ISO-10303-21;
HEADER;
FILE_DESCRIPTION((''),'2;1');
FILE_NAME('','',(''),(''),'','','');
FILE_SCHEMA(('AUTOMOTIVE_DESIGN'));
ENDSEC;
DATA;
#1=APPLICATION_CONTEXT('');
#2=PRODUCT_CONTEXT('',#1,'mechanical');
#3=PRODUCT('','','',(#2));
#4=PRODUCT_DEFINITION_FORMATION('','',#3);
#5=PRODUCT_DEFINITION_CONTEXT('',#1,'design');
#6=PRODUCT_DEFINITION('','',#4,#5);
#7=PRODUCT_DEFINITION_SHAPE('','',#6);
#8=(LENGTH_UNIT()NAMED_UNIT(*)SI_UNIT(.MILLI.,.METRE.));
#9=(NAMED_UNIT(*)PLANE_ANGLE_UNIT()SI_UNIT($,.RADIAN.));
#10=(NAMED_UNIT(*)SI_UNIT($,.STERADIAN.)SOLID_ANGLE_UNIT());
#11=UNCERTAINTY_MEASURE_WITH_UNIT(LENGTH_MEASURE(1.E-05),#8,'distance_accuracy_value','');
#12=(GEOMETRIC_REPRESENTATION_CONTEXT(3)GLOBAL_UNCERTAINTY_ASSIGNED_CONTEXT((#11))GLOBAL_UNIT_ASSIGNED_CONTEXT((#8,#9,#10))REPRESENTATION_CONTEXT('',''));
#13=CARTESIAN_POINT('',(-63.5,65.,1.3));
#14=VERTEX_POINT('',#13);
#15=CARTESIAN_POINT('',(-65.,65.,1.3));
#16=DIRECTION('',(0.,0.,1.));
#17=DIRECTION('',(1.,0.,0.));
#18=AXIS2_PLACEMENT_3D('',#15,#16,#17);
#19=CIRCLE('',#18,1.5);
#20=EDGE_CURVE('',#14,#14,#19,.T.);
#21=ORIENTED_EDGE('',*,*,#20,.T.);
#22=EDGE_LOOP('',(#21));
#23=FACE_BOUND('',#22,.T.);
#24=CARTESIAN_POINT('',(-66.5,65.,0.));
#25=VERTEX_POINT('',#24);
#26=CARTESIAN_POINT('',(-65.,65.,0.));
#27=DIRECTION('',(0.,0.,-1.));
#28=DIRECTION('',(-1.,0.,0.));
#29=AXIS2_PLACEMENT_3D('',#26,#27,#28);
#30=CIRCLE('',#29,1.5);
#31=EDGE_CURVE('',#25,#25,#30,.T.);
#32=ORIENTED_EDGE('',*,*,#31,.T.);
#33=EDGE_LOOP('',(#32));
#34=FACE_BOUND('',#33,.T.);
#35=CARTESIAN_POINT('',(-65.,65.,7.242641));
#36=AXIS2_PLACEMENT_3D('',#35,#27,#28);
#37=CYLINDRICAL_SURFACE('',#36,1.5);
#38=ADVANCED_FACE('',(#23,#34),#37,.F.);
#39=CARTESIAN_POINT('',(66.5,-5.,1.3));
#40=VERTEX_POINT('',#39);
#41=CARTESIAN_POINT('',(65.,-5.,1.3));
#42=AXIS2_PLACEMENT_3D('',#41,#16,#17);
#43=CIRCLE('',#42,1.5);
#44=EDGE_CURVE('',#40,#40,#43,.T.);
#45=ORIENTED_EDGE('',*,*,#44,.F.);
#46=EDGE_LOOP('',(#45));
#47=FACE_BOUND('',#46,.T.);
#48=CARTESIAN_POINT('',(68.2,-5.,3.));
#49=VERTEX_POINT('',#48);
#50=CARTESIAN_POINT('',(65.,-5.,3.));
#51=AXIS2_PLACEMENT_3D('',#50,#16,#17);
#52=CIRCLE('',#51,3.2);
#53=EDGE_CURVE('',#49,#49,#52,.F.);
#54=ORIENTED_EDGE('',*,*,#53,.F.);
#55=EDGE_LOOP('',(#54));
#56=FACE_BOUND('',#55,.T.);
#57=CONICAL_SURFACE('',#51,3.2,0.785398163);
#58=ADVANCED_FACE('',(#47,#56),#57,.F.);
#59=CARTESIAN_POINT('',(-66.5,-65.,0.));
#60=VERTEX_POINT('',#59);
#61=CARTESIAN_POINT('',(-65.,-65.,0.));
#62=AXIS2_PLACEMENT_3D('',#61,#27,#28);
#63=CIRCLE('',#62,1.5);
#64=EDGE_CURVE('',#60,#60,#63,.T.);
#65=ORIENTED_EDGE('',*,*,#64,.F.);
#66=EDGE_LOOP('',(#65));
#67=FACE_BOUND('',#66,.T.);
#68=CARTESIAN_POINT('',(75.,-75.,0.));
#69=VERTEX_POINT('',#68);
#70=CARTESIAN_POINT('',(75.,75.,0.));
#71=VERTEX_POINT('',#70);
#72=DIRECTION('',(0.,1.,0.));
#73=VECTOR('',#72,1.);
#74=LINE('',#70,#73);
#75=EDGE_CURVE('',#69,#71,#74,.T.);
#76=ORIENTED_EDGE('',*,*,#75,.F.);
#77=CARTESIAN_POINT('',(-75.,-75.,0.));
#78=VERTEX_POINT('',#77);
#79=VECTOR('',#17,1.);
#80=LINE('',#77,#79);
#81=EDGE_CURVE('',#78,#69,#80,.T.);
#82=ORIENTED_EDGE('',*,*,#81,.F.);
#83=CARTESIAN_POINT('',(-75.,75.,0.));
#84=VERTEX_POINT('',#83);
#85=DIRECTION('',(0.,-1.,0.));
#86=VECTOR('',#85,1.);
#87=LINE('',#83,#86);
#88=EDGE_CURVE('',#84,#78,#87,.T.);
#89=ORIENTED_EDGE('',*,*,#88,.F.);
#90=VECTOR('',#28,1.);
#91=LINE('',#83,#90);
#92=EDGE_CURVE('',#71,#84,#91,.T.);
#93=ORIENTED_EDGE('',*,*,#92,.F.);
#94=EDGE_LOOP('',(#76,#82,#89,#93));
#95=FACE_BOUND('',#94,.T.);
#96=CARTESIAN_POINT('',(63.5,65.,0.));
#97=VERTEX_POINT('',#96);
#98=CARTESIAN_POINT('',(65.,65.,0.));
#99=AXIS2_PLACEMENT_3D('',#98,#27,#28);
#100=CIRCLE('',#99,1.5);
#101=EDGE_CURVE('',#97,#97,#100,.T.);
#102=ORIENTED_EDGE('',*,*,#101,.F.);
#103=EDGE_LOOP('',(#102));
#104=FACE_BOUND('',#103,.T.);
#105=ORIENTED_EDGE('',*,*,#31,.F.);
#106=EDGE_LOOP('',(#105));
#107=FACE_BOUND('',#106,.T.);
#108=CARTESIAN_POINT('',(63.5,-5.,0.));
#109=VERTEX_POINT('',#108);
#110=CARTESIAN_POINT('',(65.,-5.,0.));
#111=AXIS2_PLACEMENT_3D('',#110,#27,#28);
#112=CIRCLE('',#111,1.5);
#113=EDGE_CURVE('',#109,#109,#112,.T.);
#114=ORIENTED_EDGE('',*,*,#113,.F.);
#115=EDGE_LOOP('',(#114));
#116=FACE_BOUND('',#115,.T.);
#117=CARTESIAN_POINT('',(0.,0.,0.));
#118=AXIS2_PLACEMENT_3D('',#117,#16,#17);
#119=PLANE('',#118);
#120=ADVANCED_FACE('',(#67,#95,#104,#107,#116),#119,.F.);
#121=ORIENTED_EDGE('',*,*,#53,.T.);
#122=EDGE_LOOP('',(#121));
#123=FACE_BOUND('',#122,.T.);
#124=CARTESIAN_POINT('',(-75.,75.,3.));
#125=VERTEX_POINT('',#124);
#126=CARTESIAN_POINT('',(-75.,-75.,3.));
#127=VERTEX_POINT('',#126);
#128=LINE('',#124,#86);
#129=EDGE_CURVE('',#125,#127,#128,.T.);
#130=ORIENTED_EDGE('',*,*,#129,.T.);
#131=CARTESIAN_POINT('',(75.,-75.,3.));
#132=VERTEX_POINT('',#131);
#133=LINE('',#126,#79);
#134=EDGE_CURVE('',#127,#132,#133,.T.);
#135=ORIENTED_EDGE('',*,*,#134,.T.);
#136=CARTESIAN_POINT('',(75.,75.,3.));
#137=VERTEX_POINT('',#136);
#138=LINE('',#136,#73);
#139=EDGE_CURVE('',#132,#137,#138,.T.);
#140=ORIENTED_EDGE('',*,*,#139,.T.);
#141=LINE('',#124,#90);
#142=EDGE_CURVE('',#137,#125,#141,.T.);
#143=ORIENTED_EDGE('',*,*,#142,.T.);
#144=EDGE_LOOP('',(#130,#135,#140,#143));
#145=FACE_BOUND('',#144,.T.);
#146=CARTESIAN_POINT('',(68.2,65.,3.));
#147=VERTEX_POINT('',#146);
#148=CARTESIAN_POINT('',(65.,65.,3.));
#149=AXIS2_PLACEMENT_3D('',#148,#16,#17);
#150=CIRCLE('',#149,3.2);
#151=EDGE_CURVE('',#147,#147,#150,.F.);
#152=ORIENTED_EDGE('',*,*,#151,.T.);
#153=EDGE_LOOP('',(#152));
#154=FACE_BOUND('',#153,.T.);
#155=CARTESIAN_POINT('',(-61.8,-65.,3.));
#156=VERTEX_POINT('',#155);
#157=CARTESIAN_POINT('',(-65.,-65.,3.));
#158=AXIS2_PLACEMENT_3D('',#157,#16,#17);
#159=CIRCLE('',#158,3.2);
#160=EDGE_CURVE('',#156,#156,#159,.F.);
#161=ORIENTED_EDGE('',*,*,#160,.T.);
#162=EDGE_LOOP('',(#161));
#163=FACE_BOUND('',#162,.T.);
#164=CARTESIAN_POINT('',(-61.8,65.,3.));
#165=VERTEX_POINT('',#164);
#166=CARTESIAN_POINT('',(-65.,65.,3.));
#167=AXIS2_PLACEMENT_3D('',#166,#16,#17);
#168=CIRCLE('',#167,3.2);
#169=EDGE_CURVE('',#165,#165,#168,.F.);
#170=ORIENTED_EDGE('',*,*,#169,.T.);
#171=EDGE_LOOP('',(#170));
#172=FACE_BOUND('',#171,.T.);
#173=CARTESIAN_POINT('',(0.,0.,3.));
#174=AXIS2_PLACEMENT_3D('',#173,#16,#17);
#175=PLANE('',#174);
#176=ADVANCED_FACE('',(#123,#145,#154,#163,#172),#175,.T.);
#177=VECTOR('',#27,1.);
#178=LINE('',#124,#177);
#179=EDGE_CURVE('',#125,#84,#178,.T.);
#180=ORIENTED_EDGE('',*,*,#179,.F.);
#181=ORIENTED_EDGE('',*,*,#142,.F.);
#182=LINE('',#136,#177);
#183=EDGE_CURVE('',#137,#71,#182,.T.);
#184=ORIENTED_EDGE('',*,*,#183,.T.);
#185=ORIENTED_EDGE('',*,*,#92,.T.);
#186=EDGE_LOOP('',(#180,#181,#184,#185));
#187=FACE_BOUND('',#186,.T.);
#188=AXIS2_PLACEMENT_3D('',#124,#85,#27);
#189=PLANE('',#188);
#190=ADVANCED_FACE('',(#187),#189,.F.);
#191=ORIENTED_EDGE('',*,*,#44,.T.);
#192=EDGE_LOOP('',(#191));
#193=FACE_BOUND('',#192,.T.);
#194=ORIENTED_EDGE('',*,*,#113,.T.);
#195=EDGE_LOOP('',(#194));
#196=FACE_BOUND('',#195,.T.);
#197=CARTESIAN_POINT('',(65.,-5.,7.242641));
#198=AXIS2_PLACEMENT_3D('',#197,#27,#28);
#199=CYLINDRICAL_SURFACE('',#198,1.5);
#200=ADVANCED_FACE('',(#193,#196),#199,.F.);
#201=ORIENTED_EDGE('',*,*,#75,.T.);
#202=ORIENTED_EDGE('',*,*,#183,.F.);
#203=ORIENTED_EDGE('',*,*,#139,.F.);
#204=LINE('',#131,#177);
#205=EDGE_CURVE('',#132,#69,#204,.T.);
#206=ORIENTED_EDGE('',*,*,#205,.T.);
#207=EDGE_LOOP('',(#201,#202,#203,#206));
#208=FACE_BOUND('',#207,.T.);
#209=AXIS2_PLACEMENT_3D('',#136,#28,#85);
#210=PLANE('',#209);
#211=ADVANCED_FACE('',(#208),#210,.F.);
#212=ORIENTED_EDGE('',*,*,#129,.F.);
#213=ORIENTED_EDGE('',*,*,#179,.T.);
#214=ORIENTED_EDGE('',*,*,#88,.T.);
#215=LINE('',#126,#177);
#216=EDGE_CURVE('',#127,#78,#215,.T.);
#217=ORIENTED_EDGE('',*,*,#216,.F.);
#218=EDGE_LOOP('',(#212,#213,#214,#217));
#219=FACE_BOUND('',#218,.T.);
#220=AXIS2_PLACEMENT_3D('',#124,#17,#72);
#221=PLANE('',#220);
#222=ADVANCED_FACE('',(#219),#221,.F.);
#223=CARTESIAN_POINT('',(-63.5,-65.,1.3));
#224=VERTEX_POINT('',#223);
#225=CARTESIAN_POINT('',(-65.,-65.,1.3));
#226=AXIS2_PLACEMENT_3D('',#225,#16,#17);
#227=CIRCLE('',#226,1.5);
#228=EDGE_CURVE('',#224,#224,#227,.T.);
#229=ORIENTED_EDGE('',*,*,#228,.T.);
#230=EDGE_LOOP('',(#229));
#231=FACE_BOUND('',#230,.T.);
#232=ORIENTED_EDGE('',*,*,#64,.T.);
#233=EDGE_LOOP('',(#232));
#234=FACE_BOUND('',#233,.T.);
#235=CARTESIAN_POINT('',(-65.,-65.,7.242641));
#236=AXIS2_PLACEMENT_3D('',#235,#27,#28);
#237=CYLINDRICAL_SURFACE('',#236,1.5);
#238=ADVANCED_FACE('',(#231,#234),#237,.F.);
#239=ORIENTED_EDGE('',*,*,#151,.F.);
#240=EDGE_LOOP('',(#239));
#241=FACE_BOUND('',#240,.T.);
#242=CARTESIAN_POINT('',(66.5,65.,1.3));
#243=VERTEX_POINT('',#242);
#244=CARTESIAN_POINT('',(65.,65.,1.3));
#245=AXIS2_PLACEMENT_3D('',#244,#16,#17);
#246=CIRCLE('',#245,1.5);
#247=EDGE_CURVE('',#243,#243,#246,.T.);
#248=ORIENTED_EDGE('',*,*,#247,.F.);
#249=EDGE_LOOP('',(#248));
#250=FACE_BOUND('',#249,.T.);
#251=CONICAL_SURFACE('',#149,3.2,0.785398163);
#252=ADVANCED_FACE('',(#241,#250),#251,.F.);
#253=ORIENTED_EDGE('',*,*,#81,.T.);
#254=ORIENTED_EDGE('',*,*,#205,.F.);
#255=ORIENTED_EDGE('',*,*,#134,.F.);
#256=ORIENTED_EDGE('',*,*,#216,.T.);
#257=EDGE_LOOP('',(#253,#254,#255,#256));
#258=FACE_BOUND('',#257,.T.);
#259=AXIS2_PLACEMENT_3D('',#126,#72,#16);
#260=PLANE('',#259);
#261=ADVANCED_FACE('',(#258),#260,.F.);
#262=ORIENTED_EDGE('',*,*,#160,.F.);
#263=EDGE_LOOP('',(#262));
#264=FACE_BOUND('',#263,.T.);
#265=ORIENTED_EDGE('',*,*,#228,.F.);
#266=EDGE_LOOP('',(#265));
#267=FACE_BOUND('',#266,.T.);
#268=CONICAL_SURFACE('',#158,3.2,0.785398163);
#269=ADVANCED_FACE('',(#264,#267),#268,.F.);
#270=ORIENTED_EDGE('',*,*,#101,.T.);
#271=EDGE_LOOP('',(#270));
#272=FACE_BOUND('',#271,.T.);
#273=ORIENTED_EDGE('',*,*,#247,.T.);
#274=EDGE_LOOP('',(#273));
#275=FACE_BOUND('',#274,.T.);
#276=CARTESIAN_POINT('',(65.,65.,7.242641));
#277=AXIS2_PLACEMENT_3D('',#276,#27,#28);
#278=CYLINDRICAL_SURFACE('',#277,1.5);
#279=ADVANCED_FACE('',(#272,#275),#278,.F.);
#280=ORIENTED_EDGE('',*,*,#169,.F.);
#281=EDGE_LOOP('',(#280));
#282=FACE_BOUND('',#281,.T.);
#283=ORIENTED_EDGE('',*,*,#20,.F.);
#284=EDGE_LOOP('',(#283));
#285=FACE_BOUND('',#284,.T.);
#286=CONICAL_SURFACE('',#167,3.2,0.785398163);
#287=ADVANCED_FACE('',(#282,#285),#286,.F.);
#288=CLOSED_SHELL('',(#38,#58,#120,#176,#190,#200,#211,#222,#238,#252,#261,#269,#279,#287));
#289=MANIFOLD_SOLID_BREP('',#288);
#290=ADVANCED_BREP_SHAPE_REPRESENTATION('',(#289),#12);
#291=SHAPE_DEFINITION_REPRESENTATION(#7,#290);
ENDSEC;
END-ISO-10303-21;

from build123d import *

# Parameters (mm, degrees)
ESBO_O1_W                = 150
ESBO_O1_H                = 150
RESSALTO_EXTRUS_O1_DEPTH = 3
ESBO_O2_R                = 1.5
CORTE_EXTRUS_O1_DEPTH    = 3
CHANFRO1_SIZE            = 1.7


with BuildPart() as part:
    # Esboço1 → Ressalto-extrusão1 (new body)
    with BuildSketch(Plane.XY):
        Rectangle(ESBO_O1_W, ESBO_O1_H)
    extrude(amount=RESSALTO_EXTRUS_O1_DEPTH)

    # Esboço2 → Corte-extrusão1 (cut)
    with BuildSketch(Plane(origin=(0, 0, 0), x_dir=(-1, 0, 0), z_dir=(0, 0, -1))):
        with Locations((65, -65)):
            Circle(ESBO_O2_R)
        with Locations((65, 65)):
            Circle(ESBO_O2_R)
        with Locations((-65, 65)):
            Circle(ESBO_O2_R)
        with Locations((-65, -5)):
            Circle(ESBO_O2_R)
    extrude(amount=-CORTE_EXTRUS_O1_DEPTH, mode=Mode.SUBTRACT)

    # Chanfro1
    chanfro1_edges = [part.edges().sort_by_distance(p)[0] for p in [
        (-63.5, -65, 3),
        (-63.5, 65, 3),
        (66.5, 65, 3),
        (66.5, -5, 3),
    ]]
    chamfer(chanfro1_edges, length=CHANFRO1_SIZE)


solid = part.part
